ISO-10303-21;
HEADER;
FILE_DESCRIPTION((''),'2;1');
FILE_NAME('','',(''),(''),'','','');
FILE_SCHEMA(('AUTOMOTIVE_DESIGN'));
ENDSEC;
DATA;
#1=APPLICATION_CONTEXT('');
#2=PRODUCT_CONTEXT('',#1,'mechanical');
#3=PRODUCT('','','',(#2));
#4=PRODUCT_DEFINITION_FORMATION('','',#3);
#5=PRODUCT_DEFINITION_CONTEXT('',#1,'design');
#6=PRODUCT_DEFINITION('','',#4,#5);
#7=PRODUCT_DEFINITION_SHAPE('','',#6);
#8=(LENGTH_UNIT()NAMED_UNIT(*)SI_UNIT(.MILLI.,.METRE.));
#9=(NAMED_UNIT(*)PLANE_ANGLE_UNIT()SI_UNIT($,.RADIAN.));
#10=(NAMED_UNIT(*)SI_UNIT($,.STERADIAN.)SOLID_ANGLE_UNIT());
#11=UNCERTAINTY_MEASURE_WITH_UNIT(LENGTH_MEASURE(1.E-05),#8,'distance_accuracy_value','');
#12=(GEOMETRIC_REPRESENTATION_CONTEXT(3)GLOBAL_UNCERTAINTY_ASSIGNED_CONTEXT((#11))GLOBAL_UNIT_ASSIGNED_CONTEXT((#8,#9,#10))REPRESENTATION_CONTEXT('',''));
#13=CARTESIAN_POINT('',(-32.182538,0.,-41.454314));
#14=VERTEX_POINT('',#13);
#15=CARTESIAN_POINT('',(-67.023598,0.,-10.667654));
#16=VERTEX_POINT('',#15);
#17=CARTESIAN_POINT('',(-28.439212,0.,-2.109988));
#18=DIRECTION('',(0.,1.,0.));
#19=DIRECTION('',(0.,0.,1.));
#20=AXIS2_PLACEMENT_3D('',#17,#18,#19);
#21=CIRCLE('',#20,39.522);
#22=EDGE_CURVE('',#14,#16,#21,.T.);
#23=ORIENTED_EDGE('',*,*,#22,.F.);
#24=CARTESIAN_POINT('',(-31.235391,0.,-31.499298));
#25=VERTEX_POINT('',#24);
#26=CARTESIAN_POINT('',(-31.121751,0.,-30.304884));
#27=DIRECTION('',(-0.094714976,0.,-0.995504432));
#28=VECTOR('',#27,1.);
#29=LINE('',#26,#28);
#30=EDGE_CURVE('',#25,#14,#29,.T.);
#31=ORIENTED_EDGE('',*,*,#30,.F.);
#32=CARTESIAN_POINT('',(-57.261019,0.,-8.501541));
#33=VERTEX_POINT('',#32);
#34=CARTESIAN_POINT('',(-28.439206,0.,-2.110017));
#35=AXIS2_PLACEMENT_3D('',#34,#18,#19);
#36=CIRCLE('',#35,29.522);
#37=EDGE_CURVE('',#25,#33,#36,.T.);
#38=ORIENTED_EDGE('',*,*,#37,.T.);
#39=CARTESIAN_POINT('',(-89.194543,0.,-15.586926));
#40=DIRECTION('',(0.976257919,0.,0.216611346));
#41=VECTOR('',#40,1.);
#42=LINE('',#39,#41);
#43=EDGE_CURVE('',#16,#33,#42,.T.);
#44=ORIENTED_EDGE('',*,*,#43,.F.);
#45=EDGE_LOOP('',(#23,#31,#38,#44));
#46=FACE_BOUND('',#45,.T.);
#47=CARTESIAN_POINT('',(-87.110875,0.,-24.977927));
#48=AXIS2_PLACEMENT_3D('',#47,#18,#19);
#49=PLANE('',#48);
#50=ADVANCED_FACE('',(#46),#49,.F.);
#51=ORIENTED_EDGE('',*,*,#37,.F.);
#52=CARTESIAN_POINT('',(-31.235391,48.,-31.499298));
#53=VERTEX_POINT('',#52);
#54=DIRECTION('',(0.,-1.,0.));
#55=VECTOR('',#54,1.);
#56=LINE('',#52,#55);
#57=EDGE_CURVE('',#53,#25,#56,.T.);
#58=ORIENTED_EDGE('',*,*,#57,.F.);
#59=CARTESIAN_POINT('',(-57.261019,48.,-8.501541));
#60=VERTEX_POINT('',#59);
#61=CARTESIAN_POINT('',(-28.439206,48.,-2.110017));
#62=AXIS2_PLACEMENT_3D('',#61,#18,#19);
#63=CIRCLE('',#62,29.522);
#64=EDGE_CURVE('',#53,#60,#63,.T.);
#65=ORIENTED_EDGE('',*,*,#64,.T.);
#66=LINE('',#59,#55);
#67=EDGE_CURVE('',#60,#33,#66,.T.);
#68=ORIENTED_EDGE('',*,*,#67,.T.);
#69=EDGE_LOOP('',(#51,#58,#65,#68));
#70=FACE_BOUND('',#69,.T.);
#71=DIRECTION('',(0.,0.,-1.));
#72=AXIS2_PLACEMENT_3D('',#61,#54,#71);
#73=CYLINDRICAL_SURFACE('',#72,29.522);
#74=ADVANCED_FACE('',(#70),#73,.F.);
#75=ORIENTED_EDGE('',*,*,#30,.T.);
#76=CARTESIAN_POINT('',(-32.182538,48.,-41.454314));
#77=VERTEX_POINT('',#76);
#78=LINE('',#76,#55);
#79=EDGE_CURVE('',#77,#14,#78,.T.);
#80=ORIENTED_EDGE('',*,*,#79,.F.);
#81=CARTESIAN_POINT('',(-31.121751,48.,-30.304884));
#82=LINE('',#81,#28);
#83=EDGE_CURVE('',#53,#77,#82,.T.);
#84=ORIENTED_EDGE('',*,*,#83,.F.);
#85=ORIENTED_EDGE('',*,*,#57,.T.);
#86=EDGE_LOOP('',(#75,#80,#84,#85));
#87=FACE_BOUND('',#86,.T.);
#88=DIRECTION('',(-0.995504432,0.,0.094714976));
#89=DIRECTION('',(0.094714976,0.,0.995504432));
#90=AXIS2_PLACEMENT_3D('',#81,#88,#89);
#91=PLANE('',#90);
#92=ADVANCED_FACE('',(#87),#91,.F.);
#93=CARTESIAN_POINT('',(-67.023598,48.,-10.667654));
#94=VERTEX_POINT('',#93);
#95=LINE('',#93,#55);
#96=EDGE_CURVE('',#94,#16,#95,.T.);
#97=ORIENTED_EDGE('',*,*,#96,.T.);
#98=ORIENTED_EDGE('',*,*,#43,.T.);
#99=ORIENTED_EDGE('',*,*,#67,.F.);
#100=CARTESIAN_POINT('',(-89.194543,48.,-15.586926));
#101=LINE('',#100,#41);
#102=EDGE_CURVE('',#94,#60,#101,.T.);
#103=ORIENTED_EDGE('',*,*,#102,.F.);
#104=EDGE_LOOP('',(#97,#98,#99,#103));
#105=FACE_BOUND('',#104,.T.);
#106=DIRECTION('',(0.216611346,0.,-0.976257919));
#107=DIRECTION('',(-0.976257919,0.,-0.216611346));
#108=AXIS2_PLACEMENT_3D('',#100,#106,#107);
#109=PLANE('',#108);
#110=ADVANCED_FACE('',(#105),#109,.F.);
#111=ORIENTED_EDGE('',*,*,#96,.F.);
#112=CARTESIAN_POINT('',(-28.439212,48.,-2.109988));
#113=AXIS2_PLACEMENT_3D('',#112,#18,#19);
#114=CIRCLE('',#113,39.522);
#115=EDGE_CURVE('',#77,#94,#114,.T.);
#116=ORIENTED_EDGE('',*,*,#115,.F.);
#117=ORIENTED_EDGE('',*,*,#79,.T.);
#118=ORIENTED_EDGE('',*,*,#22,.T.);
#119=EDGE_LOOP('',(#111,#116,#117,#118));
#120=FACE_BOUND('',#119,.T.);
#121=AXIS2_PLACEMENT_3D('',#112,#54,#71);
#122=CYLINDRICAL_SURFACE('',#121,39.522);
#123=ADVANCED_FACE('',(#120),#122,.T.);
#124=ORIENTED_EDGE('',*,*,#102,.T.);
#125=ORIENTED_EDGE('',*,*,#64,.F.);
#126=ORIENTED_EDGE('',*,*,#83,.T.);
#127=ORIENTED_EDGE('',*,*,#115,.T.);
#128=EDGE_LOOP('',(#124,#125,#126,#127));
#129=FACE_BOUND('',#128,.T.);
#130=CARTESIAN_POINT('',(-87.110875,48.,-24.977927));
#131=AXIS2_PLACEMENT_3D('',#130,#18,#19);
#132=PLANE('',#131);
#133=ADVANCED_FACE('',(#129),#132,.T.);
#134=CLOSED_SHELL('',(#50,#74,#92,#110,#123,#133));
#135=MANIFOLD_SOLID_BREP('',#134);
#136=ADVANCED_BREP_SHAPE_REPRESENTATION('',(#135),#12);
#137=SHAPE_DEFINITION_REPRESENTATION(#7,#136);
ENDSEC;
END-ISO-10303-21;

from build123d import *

# Parameters (mm, degrees)
BOSS_EXTRUDE1_DEPTH = 48


with BuildPart() as part:
    # Sketch1 → Boss-Extrude1 (new body)
    with BuildSketch(Plane(origin=(0, 0, 0), x_dir=(0.9999530758491465, 0, -0.009687419668383268), z_dir=(0, 1, 0))):
        with BuildLine():
            ThreePointArc((-57.175974077, 9.055853255), (-47.750827482, 24.696141005), (-30.928777925, 31.80041))
            Line((-30.928777925, 31.80041), (-31.779442162, 41.764134649))
            ThreePointArc((-31.779442162, 41.764134649), (-54.299198775, 32.253818326), (-66.917111166, 11.316439279))
            Line((-66.917111166, 11.316439279), (-57.175974077, 9.055853255))
        make_face()
    extrude(amount=BOSS_EXTRUDE1_DEPTH)


solid = part.part
